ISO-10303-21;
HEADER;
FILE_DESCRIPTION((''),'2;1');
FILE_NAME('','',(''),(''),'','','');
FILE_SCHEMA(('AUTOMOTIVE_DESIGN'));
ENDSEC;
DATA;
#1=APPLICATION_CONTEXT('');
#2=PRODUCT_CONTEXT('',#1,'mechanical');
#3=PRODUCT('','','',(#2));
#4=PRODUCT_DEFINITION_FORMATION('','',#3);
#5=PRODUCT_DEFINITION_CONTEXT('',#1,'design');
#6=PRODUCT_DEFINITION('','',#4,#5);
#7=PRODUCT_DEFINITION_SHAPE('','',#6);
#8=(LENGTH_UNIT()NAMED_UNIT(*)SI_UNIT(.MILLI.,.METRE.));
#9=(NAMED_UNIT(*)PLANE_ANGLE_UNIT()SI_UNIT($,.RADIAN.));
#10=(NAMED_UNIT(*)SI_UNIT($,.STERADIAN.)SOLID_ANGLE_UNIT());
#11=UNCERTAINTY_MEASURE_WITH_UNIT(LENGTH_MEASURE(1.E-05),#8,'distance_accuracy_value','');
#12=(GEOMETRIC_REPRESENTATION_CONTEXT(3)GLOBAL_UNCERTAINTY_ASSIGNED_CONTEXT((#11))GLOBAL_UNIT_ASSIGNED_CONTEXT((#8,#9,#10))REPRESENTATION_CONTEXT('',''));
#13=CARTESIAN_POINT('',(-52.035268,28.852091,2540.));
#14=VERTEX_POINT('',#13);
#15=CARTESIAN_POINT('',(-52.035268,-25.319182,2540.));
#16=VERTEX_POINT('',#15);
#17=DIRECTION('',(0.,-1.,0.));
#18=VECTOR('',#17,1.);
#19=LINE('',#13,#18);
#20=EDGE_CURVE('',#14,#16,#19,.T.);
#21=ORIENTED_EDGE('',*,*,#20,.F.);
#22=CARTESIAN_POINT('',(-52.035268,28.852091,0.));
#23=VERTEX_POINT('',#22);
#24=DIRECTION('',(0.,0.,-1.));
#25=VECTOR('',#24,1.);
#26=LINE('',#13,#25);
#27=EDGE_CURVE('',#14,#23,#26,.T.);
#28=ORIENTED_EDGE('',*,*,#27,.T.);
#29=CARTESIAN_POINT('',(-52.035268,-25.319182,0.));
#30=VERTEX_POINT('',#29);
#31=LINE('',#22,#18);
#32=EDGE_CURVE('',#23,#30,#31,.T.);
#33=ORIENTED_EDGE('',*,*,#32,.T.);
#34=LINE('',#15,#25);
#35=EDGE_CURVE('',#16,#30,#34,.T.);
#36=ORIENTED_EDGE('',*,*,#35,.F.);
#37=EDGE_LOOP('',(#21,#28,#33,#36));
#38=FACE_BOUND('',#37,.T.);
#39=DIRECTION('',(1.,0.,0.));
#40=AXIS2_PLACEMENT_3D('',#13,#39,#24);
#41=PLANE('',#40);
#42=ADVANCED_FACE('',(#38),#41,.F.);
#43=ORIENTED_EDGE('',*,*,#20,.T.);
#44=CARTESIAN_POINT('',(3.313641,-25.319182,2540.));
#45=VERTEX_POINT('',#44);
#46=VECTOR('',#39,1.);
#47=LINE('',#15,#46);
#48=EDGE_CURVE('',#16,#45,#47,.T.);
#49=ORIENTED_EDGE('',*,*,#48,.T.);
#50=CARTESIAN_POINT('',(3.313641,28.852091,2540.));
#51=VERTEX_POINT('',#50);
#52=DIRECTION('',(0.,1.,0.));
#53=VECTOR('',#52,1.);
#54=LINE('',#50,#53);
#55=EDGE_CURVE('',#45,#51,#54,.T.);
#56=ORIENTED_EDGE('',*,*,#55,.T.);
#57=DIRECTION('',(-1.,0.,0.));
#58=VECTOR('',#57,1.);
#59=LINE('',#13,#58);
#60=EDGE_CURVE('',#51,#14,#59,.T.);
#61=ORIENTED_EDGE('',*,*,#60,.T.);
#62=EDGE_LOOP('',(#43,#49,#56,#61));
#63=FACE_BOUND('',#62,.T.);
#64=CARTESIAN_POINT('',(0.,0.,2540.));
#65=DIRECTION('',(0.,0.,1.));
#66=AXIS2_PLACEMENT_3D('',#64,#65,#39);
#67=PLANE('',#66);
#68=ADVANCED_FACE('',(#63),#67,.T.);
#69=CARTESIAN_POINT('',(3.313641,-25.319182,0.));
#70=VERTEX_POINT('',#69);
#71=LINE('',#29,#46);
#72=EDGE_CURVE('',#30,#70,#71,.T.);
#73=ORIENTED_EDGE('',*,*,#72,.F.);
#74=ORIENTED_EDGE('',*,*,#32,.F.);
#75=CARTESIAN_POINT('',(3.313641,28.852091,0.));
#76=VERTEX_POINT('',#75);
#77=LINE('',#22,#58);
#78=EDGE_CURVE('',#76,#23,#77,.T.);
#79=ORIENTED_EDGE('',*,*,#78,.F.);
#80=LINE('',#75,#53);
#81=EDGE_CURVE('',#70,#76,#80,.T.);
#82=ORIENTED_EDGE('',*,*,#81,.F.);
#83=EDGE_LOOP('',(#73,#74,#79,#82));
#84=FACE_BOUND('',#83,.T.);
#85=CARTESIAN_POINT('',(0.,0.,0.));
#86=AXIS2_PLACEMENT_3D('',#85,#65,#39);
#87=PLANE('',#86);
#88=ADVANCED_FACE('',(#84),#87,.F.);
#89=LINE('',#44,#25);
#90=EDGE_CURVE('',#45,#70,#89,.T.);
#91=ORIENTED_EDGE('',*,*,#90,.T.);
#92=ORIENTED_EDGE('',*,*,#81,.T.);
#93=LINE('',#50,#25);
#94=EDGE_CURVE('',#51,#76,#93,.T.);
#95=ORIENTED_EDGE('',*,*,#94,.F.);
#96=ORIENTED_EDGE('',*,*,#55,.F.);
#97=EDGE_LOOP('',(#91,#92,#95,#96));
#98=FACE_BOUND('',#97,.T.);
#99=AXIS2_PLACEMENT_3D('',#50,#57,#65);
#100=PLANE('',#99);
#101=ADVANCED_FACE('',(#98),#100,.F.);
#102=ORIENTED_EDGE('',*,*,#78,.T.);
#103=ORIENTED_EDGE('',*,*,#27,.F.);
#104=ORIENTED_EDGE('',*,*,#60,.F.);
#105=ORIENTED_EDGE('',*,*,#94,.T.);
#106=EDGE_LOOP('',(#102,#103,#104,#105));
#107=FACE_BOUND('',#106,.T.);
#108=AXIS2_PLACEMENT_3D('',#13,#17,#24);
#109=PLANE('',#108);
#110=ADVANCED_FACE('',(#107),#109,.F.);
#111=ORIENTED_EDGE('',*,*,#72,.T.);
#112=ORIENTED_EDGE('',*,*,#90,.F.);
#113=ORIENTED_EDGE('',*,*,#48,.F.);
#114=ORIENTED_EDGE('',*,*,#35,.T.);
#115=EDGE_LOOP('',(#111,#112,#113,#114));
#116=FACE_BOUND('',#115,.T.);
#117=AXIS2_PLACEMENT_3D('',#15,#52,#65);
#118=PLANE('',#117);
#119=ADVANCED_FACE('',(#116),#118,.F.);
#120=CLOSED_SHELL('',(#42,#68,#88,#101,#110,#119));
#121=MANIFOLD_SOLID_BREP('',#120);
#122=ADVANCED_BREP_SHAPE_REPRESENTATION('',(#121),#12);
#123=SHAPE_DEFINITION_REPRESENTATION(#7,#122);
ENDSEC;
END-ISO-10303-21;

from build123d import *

# Parameters (mm, degrees)
SKETCH_1_W      = 55.348909091
SKETCH_1_H      = 54.171272727
EXTRUDE_1_DEPTH = 2540


with BuildPart() as part:
    # ｽｹｯﾁ1 → ﾎﾞｽ - 押し出し1 (new body)
    with BuildSketch(Plane.XY):
        with Locations((-24.360813831, 1.766454546)):
            Rectangle(SKETCH_1_W, SKETCH_1_H)
    extrude(amount=EXTRUDE_1_DEPTH)


solid = part.part
